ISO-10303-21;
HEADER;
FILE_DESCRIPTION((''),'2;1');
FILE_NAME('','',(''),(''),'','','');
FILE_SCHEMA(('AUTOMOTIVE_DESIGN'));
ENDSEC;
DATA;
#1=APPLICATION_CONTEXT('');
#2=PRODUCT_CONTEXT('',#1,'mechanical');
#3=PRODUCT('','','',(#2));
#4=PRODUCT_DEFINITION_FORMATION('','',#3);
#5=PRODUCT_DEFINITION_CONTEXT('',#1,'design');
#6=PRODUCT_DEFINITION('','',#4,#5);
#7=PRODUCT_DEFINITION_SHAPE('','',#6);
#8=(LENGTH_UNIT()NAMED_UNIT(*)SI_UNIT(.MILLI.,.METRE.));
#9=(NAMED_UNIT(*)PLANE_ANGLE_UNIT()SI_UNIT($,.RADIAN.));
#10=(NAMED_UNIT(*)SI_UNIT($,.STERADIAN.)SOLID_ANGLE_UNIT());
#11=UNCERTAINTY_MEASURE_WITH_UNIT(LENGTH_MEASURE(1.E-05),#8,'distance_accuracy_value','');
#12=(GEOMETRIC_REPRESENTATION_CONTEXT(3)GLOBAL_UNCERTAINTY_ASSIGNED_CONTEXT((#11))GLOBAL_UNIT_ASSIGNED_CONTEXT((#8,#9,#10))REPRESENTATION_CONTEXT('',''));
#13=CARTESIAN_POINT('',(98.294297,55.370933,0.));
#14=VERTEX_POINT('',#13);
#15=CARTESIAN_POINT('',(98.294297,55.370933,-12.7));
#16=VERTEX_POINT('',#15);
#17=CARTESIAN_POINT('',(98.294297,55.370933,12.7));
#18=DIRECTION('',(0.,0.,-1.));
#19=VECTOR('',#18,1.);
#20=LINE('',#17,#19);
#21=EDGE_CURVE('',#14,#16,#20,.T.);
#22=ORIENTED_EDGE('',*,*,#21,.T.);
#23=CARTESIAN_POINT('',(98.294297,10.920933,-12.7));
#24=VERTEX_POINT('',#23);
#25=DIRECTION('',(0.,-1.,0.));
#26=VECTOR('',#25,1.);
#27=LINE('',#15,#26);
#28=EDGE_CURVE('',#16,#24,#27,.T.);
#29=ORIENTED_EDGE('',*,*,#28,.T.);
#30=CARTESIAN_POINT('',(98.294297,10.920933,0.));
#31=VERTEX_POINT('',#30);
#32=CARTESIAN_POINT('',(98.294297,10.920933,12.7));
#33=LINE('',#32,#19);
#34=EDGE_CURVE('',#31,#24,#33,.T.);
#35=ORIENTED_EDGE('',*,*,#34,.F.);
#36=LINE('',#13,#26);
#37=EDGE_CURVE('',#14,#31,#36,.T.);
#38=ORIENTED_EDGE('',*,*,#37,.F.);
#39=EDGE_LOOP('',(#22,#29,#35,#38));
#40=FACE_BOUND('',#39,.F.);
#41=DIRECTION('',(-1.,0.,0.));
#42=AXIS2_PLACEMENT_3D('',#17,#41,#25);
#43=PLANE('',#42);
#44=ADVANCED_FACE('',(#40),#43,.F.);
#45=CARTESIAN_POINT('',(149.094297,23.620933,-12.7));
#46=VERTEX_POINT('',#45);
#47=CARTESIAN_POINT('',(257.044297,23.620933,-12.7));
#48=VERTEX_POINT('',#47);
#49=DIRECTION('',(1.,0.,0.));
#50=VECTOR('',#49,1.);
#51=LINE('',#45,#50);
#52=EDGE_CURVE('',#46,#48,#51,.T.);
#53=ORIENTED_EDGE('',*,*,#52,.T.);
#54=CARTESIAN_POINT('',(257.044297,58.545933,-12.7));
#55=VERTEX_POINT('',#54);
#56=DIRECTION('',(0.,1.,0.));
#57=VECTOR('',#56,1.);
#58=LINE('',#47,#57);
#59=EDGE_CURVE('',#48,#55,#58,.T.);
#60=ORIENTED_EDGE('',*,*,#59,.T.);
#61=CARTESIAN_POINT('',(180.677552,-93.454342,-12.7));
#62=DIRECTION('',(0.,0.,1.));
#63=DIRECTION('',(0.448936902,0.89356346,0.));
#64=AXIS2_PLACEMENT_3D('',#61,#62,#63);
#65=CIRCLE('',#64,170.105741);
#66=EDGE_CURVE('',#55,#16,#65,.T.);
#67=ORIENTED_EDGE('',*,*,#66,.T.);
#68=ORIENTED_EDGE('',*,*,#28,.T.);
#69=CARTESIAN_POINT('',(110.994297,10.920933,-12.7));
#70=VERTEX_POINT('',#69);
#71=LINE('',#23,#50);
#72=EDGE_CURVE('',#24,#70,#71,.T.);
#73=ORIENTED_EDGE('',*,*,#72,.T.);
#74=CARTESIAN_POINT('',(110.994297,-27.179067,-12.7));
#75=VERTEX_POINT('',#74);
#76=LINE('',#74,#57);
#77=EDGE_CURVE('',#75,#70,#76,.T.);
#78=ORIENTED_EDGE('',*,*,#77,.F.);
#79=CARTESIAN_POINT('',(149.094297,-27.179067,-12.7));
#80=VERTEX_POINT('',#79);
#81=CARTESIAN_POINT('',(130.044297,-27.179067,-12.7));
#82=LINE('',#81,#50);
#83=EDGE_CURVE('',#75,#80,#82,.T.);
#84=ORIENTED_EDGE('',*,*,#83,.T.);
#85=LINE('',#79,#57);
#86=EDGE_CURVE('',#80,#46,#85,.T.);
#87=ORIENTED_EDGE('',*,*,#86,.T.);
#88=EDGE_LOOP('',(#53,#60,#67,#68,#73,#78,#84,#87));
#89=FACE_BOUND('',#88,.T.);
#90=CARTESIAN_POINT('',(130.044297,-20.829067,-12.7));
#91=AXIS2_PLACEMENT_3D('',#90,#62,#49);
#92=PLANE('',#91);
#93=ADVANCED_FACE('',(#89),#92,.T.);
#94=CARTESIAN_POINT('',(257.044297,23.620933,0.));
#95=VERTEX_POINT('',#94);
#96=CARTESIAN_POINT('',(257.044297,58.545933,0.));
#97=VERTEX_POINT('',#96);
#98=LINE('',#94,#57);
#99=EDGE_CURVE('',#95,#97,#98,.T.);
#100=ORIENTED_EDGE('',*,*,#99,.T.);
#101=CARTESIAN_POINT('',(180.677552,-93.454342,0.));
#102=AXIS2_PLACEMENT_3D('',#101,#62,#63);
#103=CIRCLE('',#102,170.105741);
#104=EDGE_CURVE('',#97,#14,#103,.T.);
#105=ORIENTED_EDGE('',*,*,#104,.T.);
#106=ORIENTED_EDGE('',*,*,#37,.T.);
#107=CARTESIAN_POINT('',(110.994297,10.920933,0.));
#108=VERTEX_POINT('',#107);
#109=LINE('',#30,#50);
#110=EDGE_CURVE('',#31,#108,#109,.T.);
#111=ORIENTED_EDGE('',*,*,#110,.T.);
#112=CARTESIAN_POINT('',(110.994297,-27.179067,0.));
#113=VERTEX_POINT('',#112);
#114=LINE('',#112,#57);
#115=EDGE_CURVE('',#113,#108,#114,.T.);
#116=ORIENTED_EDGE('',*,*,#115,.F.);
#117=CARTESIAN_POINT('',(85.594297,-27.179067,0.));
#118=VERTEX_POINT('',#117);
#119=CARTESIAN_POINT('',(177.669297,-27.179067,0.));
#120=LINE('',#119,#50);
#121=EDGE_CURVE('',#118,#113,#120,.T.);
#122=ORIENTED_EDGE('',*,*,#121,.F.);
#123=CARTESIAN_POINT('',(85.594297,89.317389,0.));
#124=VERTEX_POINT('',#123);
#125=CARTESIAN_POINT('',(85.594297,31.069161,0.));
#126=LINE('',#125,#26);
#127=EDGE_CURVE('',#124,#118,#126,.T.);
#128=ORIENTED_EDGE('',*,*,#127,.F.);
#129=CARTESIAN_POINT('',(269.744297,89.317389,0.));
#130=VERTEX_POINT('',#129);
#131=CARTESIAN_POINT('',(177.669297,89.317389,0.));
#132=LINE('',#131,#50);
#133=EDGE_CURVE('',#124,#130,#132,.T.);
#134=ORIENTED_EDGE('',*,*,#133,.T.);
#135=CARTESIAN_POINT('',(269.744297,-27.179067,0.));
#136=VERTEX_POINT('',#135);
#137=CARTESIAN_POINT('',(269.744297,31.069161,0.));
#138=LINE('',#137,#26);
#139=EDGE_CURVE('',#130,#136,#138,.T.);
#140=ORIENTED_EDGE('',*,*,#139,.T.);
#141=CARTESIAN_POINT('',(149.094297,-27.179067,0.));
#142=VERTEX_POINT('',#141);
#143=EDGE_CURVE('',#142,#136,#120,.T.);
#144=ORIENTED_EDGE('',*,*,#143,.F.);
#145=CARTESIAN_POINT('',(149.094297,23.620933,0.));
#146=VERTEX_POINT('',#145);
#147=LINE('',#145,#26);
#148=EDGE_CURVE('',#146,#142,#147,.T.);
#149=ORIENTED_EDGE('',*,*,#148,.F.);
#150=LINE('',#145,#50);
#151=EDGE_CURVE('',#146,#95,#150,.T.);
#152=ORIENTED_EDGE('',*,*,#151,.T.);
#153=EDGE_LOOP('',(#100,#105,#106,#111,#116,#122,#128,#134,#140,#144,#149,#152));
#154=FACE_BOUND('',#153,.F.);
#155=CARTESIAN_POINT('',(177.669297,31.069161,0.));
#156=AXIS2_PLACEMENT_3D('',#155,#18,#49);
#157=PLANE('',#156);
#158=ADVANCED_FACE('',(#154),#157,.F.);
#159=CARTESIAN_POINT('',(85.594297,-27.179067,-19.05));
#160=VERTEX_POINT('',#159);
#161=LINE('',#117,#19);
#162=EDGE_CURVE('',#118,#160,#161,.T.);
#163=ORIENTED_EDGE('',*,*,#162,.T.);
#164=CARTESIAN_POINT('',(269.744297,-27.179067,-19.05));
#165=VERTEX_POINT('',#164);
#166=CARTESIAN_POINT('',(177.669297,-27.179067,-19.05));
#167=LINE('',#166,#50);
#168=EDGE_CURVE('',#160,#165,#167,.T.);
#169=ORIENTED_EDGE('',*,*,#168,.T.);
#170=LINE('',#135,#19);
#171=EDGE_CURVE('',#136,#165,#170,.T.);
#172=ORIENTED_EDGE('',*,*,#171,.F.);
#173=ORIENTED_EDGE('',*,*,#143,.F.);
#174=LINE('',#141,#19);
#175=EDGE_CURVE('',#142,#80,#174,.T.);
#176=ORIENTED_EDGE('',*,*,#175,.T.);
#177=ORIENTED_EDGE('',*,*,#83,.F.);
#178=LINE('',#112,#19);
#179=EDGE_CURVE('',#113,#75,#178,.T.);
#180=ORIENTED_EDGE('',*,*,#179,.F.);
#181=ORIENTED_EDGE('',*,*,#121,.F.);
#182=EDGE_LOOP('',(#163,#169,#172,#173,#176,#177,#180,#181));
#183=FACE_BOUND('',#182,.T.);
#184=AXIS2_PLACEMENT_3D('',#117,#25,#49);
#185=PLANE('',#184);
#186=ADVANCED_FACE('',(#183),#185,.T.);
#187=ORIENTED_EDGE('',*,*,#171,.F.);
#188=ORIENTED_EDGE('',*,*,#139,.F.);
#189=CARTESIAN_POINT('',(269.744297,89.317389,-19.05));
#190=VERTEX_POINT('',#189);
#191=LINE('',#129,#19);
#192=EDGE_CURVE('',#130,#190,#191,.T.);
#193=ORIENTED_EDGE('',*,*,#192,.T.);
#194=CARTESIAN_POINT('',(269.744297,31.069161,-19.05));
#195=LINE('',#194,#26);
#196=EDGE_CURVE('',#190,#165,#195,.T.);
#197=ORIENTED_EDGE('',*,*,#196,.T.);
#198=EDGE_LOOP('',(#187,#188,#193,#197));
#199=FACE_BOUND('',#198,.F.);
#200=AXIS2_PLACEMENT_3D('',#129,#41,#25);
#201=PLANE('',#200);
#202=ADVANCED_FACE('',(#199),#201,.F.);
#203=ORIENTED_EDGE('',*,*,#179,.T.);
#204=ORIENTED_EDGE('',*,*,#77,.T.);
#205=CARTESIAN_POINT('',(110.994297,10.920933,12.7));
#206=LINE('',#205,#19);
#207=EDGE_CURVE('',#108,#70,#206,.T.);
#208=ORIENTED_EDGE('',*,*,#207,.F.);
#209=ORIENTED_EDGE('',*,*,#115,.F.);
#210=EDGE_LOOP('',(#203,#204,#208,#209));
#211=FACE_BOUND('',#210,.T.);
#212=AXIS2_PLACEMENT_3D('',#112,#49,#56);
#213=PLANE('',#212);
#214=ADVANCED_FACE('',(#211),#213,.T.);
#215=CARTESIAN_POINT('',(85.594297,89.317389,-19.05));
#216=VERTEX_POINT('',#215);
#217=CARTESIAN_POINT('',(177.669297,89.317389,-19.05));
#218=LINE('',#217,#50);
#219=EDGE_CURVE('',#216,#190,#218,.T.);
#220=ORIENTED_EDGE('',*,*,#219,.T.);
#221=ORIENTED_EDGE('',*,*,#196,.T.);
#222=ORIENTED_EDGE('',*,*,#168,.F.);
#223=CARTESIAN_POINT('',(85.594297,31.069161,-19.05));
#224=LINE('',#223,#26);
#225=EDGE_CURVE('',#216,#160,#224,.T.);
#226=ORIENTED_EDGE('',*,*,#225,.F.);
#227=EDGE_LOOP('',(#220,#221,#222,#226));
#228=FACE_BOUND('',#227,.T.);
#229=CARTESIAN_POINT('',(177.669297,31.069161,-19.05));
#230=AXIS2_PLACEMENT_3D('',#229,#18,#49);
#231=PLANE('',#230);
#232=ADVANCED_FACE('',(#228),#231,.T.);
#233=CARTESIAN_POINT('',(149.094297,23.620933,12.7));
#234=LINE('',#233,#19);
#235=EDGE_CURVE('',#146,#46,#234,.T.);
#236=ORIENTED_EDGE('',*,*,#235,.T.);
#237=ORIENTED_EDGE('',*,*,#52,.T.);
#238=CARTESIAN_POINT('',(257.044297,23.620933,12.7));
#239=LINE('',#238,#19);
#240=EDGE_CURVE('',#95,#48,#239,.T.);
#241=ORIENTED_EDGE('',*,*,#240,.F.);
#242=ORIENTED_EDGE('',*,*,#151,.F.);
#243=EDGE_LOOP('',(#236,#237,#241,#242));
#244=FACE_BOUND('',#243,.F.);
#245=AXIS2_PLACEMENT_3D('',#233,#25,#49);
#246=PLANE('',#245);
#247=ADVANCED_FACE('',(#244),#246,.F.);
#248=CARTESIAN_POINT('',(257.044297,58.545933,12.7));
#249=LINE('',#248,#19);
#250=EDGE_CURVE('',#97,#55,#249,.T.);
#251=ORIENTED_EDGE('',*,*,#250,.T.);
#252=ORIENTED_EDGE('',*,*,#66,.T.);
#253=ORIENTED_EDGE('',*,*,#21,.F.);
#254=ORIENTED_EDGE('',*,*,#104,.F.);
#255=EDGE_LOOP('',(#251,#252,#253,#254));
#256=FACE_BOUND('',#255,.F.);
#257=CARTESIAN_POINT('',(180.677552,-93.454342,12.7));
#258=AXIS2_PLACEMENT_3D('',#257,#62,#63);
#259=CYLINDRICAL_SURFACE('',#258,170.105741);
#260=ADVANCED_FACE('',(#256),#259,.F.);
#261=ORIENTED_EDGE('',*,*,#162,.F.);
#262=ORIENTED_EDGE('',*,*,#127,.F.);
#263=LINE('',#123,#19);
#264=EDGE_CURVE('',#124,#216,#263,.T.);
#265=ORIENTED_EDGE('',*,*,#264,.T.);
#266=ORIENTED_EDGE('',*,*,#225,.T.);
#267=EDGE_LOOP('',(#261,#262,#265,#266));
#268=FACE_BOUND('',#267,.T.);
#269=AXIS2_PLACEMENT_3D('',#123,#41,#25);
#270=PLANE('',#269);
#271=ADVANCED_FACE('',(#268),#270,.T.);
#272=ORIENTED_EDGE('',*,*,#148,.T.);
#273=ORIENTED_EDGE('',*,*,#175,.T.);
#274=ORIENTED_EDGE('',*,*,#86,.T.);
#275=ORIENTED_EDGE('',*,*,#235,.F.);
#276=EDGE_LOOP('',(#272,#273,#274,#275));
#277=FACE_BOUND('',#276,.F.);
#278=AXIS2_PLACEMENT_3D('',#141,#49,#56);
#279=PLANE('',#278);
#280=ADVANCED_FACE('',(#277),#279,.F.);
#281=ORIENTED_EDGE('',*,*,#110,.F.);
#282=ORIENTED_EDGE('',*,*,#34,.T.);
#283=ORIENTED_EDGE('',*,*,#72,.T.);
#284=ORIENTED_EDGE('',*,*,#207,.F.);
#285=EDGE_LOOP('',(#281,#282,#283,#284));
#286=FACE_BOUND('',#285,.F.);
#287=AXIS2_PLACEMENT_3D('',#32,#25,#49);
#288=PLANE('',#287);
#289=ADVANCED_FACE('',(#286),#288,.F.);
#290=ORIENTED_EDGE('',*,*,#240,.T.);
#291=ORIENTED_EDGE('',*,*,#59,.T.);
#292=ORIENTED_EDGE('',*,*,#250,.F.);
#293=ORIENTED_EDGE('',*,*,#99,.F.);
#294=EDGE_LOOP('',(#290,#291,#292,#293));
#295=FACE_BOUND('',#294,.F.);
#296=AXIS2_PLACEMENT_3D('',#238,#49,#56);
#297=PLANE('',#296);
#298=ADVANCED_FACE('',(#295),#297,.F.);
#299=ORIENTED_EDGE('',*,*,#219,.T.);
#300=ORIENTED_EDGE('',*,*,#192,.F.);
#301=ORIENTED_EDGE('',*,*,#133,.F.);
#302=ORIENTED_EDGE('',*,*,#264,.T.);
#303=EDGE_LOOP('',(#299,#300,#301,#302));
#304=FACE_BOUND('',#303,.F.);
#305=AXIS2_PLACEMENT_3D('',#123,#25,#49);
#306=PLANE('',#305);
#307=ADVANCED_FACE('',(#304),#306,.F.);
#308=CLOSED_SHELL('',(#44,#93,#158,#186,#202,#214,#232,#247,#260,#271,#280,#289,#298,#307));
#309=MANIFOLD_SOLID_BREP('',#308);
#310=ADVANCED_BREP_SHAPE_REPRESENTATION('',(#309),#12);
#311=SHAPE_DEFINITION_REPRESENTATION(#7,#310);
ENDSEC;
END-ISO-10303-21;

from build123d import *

# Parameters (mm, degrees)
F1_DEPTH = 12.7
F2_W     = 184.15
F2_H     = 116.4964555132
F3_DEPTH = 19.05
F4_DEPTH = 25.4
F5_W     = 38.1
F5_H     = 12.7
F6_DEPTH = 12.7


with BuildPart() as f1:
    # F0 (on Top) → F1 (new body)
    with BuildSketch(Plane.XY):
        with BuildLine():
            Line((98.2942968156, 10.920933083), (110.9942968156, 10.920933083))
            Line((110.9942968156, 10.920933083), (110.9942968156, -14.479066917))
            Line((110.9942968156, -14.479066917), (149.0942968156, -14.479066917))
            Line((149.0942968156, -14.479066917), (149.0942968156, 23.620933083))
            Line((149.0942968156, 23.620933083), (257.0442968156, 23.620933083))
            Line((257.0442968156, 23.620933083), (257.0442968156, 58.545933083))
            ThreePointArc((257.0442968156, 58.545933083), (177.2761177053, 76.6173885961), (98.2942968156, 55.370933083))
            Line((98.2942968156, 55.370933083), (98.2942968156, 10.920933083))
        make_face()
    extrude(amount=F1_DEPTH)

    # F2 (on face) → F3 (join)
    with BuildSketch(Plane(origin=(0, 0, 0), x_dir=(1, 0, 0), z_dir=(0, 0, -1))):
        with Locations((177.6692968156, -31.0691608395)):
            Rectangle(F2_W, F2_H)
    extrude(amount=F3_DEPTH)

    # F4 (cut): a face of the model
    f4_faces = [f1.faces().sort_by_distance(p)[0] for p in [
        (169.3940346963, 39.8760079107, 12.7),
    ]]
    extrude(f4_faces, amount=-F4_DEPTH, mode=Mode.SUBTRACT)

    # F5 (on face) → F6 (cut)
    with BuildSketch(Plane.XY):
        with Locations((130.0442968156, -20.829066917)):
            Rectangle(F5_W, F5_H)
    extrude(amount=-F6_DEPTH, mode=Mode.SUBTRACT)


solid = f1.part
